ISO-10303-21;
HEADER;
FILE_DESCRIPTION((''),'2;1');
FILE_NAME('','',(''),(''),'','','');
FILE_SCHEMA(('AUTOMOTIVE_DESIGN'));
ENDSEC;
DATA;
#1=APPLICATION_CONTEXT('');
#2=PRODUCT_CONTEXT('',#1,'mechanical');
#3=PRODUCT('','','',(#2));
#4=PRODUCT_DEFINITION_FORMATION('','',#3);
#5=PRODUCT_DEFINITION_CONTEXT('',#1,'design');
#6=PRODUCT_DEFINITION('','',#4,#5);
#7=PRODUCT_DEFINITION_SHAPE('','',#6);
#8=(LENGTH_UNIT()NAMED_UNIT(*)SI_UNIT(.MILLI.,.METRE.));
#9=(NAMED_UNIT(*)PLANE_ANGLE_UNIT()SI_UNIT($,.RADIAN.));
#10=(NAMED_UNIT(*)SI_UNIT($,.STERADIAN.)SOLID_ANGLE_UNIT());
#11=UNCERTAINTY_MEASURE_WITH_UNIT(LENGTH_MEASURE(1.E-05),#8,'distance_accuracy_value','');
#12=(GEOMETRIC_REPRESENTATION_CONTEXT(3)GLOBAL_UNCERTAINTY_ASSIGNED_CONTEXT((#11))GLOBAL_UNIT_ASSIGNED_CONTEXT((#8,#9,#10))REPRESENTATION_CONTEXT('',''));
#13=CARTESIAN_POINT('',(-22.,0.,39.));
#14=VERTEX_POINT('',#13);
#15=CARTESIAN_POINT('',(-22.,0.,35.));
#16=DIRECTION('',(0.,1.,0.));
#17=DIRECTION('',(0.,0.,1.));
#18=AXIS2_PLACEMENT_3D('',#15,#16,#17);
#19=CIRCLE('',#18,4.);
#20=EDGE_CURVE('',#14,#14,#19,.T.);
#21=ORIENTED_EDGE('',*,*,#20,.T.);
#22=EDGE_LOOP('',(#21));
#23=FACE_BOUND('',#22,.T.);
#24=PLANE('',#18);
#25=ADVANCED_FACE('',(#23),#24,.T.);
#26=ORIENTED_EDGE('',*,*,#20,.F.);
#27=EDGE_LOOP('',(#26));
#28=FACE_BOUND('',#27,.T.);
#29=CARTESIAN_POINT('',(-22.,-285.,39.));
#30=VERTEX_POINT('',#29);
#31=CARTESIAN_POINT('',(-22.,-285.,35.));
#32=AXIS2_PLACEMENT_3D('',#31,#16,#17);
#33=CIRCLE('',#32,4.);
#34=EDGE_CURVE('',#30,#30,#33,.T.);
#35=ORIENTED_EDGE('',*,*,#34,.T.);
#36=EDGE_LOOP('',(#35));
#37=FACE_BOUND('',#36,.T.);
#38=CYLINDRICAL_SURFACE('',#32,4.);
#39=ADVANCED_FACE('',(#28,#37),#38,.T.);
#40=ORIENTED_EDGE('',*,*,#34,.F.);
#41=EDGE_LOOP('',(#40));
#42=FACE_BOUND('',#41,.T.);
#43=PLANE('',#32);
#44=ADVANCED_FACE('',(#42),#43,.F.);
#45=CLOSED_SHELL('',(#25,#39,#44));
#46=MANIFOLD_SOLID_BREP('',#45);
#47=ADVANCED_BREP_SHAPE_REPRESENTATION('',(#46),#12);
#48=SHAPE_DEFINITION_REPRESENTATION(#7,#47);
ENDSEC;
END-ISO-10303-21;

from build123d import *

# Parameters (mm, degrees)
CROQUIS6_R              = 4
SALIENTE_EXTRUIR5_DEPTH = 285


with BuildPart() as part:
    # Croquis6 → Saliente-Extruir5 (new body)
    with BuildSketch(Plane(origin=(0, 0, 0), x_dir=(1, 0, 0), z_dir=(0, 1, 0))):
        with Locations((-22, -35)):
            Circle(CROQUIS6_R)
    extrude(amount=-SALIENTE_EXTRUIR5_DEPTH)


solid = part.part
